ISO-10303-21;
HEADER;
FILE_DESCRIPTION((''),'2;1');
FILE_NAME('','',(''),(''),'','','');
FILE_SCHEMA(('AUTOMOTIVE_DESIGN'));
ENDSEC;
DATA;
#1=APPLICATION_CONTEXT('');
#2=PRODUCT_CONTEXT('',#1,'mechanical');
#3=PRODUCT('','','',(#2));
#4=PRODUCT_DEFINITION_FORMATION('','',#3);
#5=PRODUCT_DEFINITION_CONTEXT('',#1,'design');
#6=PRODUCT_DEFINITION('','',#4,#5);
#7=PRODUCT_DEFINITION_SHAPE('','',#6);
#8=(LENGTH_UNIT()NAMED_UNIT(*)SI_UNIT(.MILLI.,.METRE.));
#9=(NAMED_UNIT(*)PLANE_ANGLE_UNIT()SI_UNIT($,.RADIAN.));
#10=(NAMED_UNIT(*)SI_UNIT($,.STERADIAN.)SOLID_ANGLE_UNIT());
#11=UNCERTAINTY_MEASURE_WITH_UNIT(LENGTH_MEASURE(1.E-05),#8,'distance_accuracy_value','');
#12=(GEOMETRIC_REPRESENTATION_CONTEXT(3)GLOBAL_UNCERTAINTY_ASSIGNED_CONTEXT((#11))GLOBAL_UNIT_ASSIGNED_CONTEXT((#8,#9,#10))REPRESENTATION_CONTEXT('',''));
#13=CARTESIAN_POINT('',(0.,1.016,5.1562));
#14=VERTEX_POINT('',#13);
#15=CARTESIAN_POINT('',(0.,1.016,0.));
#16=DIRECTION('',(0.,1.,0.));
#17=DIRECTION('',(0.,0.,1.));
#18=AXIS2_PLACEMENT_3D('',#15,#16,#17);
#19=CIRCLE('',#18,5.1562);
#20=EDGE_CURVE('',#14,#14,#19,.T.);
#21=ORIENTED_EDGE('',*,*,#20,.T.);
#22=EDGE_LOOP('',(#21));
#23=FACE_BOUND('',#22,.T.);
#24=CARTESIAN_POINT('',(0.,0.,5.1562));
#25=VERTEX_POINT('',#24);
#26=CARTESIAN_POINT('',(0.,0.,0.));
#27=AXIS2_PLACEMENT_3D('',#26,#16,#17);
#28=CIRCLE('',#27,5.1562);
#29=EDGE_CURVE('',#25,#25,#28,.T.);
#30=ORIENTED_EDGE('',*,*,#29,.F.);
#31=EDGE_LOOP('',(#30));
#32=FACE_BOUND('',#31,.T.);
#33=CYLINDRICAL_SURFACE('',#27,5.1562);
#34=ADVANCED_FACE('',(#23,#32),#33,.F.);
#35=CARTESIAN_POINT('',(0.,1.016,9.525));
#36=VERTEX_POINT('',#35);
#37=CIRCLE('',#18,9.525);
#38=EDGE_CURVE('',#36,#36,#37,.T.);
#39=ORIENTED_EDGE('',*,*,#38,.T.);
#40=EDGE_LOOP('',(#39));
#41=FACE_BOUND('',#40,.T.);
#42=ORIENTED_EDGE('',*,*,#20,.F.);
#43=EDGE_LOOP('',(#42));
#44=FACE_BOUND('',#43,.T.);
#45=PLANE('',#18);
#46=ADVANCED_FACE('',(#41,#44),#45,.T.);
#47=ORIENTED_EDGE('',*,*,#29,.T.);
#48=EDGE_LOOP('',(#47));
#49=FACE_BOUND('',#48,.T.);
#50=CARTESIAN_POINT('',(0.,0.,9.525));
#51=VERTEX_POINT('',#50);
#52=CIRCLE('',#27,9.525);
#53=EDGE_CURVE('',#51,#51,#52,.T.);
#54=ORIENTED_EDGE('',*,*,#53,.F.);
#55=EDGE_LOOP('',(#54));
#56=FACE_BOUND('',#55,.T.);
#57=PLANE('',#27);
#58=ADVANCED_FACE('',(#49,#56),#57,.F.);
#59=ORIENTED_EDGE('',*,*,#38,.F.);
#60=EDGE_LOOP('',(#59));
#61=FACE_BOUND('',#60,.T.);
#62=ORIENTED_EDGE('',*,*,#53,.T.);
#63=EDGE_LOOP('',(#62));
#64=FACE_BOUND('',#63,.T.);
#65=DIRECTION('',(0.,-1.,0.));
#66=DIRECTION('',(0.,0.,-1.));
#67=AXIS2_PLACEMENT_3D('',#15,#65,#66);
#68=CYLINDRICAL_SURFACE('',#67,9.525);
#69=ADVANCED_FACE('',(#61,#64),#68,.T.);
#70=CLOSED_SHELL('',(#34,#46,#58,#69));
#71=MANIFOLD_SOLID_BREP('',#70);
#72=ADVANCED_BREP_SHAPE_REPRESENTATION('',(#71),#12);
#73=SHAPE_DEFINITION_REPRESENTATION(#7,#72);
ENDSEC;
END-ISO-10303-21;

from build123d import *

# Parameters (mm, degrees)
SKETCH1_R           = 9.525
BOSS_EXTRUDE1_DEPTH = 1.016
SKETCH5_R           = 5.1562
CUT_EXTRUDE1_DEPTH  = 2.016


with BuildPart() as part:
    # Sketch1 → Boss-Extrude1 (new body)
    with BuildSketch(Plane(origin=(0, 0, 0), x_dir=(1, 0, 0), z_dir=(0, 1, 0))):
        Circle(SKETCH1_R)
    extrude(amount=BOSS_EXTRUDE1_DEPTH)

    # Sketch5 → Cut-Extrude1 (cut, through all)
    with BuildSketch(Plane(origin=(0, 1.016, 0), x_dir=(-1, 0, 0), z_dir=(0, 1, 0))):
        Circle(SKETCH5_R)
    extrude(amount=-CUT_EXTRUDE1_DEPTH, mode=Mode.SUBTRACT)


solid = part.part
